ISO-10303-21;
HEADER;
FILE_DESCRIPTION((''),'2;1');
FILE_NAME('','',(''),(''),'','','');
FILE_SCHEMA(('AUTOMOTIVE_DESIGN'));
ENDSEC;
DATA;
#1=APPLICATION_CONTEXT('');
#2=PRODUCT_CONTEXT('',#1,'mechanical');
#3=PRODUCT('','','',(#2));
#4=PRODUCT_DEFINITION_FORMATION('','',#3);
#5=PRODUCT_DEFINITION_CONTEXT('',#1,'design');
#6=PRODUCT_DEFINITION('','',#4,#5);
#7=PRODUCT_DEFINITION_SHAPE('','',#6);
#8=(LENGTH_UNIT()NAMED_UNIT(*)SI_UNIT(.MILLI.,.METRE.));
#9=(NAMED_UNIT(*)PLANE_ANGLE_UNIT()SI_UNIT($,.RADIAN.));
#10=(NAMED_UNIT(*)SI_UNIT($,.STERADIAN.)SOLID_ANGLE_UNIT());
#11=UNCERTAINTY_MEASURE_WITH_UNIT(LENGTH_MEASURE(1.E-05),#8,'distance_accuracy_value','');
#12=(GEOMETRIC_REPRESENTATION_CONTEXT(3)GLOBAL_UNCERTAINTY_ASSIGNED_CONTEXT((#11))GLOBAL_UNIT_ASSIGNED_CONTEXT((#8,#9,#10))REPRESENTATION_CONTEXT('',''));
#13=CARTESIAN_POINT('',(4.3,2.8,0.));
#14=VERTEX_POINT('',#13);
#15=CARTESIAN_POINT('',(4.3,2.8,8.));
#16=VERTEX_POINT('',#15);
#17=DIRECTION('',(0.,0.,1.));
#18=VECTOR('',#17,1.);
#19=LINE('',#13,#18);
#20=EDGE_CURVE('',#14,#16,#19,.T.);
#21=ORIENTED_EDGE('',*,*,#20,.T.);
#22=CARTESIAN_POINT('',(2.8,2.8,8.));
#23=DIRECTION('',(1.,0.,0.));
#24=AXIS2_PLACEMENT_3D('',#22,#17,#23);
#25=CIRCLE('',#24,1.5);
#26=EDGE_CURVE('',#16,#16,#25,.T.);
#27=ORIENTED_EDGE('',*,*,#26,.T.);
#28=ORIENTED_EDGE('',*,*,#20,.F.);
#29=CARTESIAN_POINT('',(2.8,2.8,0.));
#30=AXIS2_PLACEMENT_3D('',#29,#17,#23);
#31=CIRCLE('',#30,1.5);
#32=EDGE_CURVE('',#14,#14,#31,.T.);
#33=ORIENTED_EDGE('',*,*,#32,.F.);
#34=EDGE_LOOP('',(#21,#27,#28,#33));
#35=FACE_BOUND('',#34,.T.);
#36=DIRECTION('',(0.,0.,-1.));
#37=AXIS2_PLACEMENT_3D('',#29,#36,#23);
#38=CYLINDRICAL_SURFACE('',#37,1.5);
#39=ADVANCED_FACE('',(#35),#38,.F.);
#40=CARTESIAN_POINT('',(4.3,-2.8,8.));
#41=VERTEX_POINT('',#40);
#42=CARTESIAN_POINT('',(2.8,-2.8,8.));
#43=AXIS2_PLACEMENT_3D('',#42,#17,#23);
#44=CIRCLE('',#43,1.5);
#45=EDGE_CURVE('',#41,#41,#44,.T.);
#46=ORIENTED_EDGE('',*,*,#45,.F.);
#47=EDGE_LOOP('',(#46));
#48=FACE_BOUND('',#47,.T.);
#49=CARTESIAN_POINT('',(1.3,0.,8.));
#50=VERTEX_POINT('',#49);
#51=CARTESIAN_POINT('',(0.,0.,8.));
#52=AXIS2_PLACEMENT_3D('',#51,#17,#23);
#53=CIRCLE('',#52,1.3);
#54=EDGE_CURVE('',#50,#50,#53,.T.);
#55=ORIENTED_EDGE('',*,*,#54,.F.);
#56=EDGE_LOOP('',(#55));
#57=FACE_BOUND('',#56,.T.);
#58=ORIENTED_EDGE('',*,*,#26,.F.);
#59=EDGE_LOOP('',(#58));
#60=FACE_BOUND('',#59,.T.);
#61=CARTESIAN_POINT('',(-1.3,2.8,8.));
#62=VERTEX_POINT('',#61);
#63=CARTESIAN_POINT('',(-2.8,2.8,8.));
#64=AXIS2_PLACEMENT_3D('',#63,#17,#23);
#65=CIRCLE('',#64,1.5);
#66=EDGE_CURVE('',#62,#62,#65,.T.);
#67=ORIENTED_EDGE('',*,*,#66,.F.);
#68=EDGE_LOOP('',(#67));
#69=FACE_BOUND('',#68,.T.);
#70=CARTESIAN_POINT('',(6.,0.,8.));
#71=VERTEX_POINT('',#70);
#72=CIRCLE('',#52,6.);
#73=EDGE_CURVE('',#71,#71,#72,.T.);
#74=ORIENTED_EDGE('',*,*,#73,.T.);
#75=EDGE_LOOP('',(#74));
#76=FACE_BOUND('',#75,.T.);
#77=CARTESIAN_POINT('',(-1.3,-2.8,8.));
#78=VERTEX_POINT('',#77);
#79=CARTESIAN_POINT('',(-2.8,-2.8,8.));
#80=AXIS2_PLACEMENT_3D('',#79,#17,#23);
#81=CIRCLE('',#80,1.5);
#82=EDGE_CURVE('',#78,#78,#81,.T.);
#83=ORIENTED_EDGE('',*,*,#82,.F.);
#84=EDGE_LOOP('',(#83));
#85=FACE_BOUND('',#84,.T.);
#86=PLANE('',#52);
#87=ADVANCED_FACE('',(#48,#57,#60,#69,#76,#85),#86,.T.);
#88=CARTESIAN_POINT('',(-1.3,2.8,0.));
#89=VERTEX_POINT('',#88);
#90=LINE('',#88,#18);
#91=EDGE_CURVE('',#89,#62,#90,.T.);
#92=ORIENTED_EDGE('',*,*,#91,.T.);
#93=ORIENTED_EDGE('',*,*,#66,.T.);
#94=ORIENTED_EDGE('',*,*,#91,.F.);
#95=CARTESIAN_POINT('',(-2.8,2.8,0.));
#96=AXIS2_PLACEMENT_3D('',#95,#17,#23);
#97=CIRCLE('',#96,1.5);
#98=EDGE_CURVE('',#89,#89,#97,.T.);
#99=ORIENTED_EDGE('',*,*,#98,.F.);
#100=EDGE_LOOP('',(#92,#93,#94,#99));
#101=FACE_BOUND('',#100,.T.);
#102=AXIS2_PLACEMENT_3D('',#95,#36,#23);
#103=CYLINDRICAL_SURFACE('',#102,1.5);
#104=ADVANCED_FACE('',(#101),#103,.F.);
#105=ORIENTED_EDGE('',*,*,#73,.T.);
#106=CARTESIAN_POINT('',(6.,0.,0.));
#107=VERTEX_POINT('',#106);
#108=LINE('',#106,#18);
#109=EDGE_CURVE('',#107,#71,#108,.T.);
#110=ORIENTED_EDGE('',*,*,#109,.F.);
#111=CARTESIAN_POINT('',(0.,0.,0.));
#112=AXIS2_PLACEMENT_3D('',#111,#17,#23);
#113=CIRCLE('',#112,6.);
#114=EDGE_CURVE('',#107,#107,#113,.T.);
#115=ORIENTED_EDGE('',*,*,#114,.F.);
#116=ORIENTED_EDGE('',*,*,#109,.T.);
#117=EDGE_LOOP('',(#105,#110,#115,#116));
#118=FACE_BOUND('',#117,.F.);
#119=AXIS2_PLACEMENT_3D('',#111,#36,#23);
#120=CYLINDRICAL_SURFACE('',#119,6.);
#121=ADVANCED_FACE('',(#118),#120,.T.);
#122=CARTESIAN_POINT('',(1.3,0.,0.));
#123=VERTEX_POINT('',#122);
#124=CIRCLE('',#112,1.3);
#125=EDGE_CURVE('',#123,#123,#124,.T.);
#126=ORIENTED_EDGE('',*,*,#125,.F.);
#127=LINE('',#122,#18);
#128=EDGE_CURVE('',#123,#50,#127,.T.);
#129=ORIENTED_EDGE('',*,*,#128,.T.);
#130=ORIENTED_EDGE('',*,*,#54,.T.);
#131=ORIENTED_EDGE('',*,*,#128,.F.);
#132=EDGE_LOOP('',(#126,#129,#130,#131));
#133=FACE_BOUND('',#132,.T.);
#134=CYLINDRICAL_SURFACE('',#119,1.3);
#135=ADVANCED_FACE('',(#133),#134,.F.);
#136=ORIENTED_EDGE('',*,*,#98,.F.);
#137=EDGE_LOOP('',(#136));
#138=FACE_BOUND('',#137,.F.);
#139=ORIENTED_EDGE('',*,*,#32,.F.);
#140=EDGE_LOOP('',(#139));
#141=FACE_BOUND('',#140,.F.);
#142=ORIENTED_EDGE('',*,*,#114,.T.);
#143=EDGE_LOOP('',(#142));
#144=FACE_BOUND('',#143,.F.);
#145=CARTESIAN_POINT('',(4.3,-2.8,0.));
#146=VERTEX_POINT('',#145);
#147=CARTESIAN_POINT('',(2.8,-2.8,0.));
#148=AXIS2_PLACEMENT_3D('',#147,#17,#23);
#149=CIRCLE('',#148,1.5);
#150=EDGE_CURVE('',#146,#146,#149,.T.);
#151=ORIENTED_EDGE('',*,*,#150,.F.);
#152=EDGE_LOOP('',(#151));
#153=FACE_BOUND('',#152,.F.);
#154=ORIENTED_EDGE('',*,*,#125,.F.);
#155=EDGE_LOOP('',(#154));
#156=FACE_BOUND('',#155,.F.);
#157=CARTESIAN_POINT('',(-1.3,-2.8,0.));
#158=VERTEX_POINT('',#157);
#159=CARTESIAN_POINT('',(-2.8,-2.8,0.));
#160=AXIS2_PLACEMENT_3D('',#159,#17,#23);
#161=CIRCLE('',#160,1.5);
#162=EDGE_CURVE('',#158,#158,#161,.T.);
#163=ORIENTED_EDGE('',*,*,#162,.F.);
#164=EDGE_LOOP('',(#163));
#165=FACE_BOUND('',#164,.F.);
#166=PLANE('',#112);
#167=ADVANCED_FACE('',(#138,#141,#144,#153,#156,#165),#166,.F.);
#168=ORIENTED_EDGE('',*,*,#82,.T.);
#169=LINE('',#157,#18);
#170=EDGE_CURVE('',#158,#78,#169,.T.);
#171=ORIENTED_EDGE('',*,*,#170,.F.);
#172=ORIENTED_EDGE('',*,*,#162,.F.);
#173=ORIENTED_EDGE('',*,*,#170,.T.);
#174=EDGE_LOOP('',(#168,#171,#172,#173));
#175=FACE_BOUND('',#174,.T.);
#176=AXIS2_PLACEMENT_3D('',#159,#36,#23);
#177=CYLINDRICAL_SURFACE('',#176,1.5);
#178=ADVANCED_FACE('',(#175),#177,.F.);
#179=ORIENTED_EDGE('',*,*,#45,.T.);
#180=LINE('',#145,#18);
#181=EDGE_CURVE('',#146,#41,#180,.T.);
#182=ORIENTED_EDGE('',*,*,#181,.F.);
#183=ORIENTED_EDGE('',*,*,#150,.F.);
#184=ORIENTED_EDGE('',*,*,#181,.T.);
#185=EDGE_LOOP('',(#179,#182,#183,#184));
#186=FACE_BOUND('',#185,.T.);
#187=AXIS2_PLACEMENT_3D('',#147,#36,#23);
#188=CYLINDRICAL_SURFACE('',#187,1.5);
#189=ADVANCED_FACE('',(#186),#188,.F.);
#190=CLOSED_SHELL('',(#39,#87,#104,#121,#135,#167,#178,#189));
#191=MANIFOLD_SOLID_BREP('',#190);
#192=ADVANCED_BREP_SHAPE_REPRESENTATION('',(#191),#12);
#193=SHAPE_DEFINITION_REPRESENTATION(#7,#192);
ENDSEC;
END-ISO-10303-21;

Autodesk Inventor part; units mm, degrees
ref_plane "YZ Plane" through (0, 0, 0) normal (1, 0, 0) x (0, 1, 0)
ref_plane "XZ Plane" through (0, 0, 0) normal (0, 1, 0) x (-1, 0, 0)
ref_plane "XY Plane" through (0, 0, 0) normal (0, 0, 1) x (1, 0, 0)
sketch "スケッチ1" plane through (0, 0, 0) normal (0, 0, 1) x (1, 0, 0)
  line L0 (-2.8, 2.8) -> (2.8, 2.8) construction
  line L1 (2.8, 2.8) -> (2.8, -2.8) construction
  line L2 (2.8, -2.8) -> (-2.8, -2.8) construction
  line L3 (-2.8, -2.8) -> (-2.8, 2.8) construction
  circle A0 centre (-2.8, 2.8) radius 1.5
  circle A1 centre (2.8, 2.8) radius 1.5
  circle A2 centre (2.8, -2.8) radius 1.5
  circle A3 centre (-2.8, -2.8) radius 1.5
  circle A4 centre (0, 0) radius 1.3
  circle A5 centre (0, 0) radius 6
  dimension "d0" = 3
  dimension "d1" = 3
  dimension "d2" = 3
  dimension "d3" = 3
  dimension "d4" = 5.6
  dimension "d5" = 2.6
  dimension "d6" = 12
extrude "押し出し1" add sketch "スケッチ1" along normal blind 8
properties part number "脚最終段カム1" material "アルミニウム 7075"
